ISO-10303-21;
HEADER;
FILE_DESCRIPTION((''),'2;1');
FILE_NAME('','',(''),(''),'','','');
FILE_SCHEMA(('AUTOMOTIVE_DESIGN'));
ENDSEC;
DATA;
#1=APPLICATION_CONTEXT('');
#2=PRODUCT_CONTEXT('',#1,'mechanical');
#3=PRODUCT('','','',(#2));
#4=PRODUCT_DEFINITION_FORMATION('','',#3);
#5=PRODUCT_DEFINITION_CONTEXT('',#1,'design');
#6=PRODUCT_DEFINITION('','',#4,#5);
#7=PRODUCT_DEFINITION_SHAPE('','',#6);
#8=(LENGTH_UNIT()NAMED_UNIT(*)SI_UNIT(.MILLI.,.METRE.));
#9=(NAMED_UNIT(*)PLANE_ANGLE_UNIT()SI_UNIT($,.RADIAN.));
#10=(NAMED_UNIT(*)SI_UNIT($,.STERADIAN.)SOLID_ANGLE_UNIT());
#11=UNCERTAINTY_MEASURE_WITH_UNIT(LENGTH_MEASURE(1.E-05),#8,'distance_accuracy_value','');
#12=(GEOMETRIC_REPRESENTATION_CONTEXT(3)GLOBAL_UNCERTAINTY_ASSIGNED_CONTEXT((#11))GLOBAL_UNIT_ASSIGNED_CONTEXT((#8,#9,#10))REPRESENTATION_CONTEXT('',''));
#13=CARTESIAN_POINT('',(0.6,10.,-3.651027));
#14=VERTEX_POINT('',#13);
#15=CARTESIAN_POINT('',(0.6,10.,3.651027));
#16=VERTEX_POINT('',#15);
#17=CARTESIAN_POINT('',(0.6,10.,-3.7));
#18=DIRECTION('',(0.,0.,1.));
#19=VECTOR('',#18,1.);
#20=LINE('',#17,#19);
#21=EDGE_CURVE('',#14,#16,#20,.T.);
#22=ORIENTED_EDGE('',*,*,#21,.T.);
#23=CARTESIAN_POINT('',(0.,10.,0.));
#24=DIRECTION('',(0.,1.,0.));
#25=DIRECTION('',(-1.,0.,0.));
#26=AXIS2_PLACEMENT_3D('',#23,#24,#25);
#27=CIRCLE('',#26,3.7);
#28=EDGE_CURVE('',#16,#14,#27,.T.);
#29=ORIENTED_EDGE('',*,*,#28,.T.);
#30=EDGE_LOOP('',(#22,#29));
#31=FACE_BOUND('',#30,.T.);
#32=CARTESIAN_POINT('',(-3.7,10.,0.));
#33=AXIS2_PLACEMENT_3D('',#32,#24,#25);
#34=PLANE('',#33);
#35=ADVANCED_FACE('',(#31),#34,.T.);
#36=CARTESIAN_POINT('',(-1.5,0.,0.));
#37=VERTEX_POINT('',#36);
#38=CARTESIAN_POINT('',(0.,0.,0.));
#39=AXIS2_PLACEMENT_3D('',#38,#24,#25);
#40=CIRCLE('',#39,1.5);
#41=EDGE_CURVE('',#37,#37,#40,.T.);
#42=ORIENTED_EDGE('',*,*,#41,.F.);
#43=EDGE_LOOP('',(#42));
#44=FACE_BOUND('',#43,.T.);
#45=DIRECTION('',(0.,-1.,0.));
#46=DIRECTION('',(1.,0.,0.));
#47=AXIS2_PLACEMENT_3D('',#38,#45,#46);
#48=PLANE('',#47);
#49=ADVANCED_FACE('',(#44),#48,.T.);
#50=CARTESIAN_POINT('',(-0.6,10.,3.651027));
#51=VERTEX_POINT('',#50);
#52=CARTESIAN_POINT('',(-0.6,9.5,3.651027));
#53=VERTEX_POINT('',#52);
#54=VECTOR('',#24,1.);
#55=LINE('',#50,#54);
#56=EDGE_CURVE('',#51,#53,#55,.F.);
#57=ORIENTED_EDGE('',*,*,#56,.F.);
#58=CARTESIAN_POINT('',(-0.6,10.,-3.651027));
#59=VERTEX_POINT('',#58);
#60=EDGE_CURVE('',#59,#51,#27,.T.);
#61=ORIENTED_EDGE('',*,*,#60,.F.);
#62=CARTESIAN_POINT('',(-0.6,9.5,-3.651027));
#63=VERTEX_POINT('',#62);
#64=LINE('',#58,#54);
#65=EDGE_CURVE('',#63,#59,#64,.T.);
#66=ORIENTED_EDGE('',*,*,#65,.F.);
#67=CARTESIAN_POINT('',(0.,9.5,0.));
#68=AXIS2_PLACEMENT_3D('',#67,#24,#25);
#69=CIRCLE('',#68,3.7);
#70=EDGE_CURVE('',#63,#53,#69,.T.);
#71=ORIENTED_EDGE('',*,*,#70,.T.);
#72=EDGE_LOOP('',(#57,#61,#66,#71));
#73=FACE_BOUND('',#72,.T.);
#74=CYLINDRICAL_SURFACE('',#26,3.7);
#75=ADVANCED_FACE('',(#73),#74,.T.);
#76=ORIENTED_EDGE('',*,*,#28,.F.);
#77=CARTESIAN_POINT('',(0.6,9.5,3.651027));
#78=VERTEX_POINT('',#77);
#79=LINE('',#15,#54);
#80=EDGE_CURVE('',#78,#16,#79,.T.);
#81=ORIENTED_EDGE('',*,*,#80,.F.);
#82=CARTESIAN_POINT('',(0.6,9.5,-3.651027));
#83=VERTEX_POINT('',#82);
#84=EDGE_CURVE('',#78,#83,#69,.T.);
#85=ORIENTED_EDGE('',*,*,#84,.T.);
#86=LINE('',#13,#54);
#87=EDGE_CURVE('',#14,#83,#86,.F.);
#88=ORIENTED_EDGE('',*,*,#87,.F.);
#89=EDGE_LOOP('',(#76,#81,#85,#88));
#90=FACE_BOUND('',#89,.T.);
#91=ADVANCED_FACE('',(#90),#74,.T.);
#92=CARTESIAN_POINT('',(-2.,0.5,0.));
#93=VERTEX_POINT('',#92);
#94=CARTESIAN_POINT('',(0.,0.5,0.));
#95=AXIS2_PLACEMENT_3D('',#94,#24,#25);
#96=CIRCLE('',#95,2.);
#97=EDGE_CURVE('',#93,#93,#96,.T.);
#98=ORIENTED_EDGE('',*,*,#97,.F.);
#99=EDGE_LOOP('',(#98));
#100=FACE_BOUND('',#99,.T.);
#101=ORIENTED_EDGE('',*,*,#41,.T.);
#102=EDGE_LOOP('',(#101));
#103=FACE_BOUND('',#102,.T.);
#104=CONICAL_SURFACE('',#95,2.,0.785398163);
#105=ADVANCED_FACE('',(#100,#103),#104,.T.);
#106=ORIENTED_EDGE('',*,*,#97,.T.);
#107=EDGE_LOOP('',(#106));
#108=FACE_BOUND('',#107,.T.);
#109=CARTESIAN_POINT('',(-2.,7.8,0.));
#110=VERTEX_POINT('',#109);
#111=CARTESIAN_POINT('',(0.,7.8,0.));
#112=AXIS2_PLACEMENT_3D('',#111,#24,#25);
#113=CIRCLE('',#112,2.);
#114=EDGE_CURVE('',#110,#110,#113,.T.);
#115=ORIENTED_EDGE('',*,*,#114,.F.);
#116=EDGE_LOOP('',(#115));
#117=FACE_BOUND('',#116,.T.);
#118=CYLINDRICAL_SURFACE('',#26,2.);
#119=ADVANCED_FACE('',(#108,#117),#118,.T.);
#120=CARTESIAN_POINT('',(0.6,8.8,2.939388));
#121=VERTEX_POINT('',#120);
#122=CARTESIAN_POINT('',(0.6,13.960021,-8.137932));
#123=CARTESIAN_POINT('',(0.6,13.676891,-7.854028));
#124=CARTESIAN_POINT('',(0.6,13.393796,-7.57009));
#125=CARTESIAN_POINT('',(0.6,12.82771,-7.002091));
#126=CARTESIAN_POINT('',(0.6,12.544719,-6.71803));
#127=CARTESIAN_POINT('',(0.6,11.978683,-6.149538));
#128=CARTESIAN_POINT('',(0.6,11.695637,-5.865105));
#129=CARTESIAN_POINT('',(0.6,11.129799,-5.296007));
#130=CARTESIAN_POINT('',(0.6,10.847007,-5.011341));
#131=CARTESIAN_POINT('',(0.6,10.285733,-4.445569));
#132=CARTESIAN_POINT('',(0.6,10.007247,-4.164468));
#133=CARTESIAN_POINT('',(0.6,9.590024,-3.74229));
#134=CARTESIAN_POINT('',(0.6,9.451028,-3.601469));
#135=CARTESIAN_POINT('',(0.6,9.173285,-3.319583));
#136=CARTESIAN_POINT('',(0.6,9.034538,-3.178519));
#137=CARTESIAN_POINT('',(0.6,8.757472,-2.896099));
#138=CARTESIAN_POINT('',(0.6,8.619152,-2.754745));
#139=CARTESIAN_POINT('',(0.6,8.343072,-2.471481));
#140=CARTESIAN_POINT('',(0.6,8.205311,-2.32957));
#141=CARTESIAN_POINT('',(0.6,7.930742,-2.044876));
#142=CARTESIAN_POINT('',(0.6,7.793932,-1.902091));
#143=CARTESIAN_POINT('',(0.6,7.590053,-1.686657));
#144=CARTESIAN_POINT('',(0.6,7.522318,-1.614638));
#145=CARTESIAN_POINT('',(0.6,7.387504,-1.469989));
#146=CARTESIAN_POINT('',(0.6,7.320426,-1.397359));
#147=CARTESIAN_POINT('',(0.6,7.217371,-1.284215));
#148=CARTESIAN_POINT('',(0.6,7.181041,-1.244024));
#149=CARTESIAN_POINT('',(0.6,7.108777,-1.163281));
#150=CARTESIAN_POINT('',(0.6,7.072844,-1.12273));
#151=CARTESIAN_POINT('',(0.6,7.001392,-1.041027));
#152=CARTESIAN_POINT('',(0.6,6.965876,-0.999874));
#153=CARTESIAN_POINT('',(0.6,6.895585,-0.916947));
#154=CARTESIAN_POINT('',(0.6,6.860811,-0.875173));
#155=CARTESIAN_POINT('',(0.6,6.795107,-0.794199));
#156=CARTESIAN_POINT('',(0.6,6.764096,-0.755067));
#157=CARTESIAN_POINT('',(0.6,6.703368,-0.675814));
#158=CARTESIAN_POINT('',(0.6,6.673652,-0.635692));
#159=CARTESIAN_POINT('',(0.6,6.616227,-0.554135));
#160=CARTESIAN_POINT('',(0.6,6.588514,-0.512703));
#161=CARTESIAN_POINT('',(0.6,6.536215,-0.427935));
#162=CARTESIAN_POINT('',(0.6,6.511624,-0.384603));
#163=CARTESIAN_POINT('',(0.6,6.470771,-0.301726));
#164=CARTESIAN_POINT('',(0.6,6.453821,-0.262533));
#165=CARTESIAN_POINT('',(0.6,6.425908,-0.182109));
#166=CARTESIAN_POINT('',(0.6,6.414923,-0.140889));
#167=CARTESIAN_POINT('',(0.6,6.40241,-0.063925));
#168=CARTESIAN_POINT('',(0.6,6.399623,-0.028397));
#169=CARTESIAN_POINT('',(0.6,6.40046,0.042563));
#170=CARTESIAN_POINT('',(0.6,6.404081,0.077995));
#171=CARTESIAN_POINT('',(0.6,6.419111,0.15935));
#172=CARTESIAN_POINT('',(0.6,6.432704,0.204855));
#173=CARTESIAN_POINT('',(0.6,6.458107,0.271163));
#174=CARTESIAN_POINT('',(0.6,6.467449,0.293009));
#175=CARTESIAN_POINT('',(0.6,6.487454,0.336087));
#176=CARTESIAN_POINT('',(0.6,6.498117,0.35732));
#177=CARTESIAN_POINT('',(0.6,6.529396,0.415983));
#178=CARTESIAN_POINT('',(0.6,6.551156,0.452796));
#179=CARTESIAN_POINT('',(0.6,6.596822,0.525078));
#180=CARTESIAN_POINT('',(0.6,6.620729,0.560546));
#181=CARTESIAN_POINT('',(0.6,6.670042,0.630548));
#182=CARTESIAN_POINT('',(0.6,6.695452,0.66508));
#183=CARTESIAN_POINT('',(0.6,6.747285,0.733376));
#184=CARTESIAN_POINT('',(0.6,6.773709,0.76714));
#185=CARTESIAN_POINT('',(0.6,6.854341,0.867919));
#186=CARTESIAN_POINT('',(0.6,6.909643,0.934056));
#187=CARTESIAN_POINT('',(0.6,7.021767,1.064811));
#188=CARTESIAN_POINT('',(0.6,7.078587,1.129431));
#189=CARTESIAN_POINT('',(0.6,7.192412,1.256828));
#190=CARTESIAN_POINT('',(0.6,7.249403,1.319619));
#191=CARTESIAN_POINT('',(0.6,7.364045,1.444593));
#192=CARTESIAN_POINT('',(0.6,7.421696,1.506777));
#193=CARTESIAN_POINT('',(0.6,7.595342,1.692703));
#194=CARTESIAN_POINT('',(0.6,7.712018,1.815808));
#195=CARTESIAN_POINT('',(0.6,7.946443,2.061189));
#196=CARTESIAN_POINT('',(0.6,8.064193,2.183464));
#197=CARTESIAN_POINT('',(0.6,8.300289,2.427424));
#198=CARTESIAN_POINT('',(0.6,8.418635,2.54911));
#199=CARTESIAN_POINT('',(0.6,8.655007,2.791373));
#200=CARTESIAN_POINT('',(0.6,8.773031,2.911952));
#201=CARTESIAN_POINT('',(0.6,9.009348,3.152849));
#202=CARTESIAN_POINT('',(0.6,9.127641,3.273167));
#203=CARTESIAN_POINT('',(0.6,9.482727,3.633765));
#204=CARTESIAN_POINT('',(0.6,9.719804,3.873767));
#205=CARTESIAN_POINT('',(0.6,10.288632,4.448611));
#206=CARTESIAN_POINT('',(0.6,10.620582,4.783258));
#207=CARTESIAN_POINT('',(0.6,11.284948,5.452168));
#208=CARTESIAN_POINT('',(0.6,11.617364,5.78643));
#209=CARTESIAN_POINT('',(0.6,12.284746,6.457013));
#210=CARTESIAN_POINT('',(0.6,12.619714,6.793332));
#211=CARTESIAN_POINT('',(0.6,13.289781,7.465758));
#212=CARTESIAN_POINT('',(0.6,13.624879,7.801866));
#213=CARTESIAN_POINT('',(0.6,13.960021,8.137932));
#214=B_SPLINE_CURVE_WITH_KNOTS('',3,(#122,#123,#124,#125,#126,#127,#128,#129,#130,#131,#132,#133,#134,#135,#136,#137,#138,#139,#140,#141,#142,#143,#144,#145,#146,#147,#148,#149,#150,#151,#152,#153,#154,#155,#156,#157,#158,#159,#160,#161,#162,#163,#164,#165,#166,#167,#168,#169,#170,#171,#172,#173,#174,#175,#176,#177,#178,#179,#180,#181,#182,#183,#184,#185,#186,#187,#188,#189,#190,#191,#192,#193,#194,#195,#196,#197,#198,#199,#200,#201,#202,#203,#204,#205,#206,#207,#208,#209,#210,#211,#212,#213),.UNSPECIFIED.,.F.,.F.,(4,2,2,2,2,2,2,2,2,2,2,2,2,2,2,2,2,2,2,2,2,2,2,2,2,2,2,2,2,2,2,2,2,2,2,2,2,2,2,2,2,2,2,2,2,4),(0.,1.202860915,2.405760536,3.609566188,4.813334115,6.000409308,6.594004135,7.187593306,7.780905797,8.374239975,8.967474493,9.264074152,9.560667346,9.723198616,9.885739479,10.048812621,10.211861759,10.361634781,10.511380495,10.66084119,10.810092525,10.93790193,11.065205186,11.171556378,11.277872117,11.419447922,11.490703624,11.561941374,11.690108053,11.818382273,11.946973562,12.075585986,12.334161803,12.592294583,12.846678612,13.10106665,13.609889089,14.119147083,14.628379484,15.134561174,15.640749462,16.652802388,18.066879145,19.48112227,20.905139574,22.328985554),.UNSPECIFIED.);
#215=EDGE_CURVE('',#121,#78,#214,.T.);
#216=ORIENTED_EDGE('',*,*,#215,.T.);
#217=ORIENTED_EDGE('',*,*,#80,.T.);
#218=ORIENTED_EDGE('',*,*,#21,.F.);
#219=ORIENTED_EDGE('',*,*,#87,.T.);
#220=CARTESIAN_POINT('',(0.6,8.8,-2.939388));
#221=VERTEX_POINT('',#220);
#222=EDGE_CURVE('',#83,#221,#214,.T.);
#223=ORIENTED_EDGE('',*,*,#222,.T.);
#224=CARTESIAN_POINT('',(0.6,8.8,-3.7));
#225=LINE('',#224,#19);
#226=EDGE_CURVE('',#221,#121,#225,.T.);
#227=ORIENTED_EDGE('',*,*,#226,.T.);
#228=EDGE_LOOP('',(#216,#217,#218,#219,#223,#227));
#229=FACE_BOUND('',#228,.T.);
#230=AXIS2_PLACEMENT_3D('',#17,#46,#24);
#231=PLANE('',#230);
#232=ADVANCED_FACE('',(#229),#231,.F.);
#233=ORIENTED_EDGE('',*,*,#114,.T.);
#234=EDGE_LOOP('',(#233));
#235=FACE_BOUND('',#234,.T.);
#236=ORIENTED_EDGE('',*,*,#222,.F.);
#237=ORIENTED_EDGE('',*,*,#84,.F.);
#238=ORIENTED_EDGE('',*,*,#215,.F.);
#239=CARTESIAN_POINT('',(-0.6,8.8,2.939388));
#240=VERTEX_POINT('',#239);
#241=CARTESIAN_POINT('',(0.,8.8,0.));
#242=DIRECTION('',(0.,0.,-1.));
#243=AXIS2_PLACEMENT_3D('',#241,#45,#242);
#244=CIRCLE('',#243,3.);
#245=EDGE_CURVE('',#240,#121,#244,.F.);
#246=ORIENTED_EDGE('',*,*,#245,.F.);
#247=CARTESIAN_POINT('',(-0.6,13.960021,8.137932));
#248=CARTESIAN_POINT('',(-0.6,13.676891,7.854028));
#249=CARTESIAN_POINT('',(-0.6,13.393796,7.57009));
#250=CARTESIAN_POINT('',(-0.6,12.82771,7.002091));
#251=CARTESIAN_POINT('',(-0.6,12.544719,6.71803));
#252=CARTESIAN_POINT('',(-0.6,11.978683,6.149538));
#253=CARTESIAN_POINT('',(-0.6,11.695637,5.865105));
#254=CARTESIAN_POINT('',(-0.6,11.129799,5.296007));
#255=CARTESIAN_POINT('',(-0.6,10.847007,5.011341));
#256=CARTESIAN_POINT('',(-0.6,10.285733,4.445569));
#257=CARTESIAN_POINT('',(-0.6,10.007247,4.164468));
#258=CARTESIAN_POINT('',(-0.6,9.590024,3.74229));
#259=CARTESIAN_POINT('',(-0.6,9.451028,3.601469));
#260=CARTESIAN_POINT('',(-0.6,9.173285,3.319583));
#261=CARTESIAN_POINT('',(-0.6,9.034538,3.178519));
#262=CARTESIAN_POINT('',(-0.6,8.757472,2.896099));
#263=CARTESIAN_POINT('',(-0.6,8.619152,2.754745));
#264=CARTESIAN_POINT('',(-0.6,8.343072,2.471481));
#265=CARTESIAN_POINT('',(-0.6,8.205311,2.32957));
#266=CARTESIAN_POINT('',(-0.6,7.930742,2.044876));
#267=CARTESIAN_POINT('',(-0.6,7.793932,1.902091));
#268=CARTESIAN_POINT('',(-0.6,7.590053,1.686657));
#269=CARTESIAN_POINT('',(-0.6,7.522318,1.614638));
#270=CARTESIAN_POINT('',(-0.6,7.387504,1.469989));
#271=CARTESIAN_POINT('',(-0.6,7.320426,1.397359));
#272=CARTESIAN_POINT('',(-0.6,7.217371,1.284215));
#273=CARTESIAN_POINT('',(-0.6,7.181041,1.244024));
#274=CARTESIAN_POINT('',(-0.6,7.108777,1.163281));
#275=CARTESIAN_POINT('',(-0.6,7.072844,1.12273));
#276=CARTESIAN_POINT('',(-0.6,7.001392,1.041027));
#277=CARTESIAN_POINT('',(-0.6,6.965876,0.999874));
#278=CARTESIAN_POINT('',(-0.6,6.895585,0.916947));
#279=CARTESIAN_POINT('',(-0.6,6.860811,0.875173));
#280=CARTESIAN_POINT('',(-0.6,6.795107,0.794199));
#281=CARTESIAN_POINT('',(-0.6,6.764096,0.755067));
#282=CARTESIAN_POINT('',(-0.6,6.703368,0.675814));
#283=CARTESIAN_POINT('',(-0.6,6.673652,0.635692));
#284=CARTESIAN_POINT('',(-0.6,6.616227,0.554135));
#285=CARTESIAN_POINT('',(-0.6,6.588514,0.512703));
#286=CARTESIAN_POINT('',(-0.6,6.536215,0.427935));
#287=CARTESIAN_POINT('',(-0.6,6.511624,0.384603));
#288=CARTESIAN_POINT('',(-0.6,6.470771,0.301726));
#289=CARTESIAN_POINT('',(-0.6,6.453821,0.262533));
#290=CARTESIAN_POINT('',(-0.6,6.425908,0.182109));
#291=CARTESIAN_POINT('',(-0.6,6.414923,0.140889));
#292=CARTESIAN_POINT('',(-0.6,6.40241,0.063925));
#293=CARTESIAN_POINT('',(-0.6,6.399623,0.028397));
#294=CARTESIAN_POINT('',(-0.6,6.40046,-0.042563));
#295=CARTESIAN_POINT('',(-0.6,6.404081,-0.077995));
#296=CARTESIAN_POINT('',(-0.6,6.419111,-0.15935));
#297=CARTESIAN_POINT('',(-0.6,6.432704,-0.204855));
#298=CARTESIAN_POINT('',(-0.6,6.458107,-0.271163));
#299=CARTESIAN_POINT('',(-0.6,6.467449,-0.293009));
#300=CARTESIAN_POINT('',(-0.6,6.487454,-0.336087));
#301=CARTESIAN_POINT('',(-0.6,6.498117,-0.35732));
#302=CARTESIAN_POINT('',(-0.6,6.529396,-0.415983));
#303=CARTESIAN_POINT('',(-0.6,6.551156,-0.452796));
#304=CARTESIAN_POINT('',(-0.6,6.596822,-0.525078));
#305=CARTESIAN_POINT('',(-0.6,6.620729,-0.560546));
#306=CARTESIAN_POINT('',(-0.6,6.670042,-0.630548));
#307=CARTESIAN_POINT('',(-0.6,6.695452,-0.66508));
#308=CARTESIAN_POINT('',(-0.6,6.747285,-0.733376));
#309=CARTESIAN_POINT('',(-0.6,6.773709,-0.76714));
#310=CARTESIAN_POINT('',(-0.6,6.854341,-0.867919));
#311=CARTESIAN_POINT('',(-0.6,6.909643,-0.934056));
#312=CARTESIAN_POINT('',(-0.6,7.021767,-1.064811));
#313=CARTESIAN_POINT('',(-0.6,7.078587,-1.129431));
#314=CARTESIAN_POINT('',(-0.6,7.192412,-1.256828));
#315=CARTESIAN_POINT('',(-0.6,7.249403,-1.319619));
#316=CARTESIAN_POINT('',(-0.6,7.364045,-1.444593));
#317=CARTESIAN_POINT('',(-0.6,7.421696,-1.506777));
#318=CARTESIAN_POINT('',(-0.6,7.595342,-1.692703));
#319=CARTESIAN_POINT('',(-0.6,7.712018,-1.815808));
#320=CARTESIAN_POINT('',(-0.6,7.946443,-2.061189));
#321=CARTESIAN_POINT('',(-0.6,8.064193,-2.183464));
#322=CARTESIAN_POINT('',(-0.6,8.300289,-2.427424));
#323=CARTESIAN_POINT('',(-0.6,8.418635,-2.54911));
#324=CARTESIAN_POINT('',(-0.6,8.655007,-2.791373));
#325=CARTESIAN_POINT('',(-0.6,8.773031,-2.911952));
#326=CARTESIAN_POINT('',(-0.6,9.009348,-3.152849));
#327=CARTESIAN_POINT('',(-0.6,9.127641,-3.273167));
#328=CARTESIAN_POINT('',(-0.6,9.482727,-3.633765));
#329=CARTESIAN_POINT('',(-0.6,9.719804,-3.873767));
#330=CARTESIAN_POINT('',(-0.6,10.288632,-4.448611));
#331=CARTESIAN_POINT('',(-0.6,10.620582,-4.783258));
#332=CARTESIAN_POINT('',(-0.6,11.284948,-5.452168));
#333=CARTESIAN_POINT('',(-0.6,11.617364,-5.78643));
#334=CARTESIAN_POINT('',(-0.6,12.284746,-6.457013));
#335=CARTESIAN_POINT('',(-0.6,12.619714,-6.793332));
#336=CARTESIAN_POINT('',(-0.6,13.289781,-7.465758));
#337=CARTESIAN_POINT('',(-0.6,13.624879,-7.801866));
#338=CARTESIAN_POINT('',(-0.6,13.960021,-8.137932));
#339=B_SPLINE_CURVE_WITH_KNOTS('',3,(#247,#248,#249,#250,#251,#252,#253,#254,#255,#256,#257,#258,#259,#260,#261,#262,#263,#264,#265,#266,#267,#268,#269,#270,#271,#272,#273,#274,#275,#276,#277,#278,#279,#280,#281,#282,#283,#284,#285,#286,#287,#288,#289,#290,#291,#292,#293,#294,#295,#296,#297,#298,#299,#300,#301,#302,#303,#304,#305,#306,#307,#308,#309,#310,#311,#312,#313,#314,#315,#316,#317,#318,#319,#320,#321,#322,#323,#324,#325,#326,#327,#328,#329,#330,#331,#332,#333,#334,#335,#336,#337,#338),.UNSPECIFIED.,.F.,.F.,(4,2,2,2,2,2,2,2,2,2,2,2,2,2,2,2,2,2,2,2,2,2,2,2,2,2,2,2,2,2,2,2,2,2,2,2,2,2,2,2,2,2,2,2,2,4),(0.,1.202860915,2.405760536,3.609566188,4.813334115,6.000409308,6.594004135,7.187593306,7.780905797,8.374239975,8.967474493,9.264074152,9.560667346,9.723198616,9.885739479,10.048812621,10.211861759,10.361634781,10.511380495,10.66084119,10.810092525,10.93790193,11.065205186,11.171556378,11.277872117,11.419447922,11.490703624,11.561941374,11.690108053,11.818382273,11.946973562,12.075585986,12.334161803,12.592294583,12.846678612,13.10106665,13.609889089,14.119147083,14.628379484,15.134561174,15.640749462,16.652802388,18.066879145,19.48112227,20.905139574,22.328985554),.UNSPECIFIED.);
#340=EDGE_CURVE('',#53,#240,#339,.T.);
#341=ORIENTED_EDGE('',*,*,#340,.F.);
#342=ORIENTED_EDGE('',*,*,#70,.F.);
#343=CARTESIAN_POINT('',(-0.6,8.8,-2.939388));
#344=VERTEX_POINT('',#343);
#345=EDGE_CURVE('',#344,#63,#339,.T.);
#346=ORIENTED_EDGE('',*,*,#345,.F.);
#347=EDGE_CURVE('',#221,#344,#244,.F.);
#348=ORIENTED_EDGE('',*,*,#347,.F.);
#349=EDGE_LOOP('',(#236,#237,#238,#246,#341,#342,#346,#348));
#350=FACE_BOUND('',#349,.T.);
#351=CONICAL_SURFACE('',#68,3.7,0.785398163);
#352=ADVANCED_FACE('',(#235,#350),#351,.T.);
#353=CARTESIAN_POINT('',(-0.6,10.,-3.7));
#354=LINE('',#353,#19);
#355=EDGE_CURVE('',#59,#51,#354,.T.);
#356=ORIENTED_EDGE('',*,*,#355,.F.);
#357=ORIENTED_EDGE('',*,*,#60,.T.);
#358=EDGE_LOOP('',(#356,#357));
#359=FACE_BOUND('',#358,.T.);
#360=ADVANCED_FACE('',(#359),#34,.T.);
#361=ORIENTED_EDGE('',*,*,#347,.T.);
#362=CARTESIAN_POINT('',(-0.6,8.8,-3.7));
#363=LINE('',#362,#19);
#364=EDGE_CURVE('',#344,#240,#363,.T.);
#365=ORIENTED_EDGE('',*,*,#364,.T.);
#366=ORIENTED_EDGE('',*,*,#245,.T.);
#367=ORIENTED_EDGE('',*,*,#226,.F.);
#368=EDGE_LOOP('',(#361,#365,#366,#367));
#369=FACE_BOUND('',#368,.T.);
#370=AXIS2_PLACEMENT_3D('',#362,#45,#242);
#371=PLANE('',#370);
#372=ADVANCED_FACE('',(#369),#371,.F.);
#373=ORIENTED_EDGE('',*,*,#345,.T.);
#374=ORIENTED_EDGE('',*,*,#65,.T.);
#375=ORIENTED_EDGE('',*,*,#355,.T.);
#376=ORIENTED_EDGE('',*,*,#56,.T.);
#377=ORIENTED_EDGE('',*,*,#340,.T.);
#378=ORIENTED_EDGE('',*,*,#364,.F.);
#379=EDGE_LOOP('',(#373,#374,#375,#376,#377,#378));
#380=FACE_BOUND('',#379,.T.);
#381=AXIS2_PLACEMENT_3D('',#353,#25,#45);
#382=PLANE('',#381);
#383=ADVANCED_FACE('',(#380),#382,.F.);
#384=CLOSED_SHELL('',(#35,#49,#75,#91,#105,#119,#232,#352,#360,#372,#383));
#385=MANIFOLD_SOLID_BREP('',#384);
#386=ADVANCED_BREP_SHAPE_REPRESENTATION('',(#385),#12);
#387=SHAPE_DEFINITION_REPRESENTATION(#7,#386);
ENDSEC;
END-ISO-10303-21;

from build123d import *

# Parameters (mm, degrees)
CUT_EXTRUDE_1_DEPTH      = 12.28627485
CUT_EXTRUDE_1_DEPTH_BACK = 12.28627485
SKETCH_2_W               = 1.2
SKETCH_2_H               = 1.2


with BuildPart() as part:
    # Эскиз1 → Повернуть1 (revolve)
    with BuildSketch(Plane.XY):
        Polygon((0, 0), (-1.5, 0), (-2, 0.5), (-2, 7.8), (-3.7, 9.5), (-3.7, 10), (0, 10), align=None)
    revolve(axis=Axis((0, 10, 0), (0, -1, 0)))

    # Эскиз2 → Вырез-Вытянуть1 (cut, two sides: drawn at the far end of the back side and taken through both)
    with BuildSketch(Plane.XY.offset(-CUT_EXTRUDE_1_DEPTH_BACK)):
        with Locations((0, 9.4)):
            Rectangle(SKETCH_2_W, SKETCH_2_H)
    extrude(amount=CUT_EXTRUDE_1_DEPTH + CUT_EXTRUDE_1_DEPTH_BACK, mode=Mode.SUBTRACT)


solid = part.part
